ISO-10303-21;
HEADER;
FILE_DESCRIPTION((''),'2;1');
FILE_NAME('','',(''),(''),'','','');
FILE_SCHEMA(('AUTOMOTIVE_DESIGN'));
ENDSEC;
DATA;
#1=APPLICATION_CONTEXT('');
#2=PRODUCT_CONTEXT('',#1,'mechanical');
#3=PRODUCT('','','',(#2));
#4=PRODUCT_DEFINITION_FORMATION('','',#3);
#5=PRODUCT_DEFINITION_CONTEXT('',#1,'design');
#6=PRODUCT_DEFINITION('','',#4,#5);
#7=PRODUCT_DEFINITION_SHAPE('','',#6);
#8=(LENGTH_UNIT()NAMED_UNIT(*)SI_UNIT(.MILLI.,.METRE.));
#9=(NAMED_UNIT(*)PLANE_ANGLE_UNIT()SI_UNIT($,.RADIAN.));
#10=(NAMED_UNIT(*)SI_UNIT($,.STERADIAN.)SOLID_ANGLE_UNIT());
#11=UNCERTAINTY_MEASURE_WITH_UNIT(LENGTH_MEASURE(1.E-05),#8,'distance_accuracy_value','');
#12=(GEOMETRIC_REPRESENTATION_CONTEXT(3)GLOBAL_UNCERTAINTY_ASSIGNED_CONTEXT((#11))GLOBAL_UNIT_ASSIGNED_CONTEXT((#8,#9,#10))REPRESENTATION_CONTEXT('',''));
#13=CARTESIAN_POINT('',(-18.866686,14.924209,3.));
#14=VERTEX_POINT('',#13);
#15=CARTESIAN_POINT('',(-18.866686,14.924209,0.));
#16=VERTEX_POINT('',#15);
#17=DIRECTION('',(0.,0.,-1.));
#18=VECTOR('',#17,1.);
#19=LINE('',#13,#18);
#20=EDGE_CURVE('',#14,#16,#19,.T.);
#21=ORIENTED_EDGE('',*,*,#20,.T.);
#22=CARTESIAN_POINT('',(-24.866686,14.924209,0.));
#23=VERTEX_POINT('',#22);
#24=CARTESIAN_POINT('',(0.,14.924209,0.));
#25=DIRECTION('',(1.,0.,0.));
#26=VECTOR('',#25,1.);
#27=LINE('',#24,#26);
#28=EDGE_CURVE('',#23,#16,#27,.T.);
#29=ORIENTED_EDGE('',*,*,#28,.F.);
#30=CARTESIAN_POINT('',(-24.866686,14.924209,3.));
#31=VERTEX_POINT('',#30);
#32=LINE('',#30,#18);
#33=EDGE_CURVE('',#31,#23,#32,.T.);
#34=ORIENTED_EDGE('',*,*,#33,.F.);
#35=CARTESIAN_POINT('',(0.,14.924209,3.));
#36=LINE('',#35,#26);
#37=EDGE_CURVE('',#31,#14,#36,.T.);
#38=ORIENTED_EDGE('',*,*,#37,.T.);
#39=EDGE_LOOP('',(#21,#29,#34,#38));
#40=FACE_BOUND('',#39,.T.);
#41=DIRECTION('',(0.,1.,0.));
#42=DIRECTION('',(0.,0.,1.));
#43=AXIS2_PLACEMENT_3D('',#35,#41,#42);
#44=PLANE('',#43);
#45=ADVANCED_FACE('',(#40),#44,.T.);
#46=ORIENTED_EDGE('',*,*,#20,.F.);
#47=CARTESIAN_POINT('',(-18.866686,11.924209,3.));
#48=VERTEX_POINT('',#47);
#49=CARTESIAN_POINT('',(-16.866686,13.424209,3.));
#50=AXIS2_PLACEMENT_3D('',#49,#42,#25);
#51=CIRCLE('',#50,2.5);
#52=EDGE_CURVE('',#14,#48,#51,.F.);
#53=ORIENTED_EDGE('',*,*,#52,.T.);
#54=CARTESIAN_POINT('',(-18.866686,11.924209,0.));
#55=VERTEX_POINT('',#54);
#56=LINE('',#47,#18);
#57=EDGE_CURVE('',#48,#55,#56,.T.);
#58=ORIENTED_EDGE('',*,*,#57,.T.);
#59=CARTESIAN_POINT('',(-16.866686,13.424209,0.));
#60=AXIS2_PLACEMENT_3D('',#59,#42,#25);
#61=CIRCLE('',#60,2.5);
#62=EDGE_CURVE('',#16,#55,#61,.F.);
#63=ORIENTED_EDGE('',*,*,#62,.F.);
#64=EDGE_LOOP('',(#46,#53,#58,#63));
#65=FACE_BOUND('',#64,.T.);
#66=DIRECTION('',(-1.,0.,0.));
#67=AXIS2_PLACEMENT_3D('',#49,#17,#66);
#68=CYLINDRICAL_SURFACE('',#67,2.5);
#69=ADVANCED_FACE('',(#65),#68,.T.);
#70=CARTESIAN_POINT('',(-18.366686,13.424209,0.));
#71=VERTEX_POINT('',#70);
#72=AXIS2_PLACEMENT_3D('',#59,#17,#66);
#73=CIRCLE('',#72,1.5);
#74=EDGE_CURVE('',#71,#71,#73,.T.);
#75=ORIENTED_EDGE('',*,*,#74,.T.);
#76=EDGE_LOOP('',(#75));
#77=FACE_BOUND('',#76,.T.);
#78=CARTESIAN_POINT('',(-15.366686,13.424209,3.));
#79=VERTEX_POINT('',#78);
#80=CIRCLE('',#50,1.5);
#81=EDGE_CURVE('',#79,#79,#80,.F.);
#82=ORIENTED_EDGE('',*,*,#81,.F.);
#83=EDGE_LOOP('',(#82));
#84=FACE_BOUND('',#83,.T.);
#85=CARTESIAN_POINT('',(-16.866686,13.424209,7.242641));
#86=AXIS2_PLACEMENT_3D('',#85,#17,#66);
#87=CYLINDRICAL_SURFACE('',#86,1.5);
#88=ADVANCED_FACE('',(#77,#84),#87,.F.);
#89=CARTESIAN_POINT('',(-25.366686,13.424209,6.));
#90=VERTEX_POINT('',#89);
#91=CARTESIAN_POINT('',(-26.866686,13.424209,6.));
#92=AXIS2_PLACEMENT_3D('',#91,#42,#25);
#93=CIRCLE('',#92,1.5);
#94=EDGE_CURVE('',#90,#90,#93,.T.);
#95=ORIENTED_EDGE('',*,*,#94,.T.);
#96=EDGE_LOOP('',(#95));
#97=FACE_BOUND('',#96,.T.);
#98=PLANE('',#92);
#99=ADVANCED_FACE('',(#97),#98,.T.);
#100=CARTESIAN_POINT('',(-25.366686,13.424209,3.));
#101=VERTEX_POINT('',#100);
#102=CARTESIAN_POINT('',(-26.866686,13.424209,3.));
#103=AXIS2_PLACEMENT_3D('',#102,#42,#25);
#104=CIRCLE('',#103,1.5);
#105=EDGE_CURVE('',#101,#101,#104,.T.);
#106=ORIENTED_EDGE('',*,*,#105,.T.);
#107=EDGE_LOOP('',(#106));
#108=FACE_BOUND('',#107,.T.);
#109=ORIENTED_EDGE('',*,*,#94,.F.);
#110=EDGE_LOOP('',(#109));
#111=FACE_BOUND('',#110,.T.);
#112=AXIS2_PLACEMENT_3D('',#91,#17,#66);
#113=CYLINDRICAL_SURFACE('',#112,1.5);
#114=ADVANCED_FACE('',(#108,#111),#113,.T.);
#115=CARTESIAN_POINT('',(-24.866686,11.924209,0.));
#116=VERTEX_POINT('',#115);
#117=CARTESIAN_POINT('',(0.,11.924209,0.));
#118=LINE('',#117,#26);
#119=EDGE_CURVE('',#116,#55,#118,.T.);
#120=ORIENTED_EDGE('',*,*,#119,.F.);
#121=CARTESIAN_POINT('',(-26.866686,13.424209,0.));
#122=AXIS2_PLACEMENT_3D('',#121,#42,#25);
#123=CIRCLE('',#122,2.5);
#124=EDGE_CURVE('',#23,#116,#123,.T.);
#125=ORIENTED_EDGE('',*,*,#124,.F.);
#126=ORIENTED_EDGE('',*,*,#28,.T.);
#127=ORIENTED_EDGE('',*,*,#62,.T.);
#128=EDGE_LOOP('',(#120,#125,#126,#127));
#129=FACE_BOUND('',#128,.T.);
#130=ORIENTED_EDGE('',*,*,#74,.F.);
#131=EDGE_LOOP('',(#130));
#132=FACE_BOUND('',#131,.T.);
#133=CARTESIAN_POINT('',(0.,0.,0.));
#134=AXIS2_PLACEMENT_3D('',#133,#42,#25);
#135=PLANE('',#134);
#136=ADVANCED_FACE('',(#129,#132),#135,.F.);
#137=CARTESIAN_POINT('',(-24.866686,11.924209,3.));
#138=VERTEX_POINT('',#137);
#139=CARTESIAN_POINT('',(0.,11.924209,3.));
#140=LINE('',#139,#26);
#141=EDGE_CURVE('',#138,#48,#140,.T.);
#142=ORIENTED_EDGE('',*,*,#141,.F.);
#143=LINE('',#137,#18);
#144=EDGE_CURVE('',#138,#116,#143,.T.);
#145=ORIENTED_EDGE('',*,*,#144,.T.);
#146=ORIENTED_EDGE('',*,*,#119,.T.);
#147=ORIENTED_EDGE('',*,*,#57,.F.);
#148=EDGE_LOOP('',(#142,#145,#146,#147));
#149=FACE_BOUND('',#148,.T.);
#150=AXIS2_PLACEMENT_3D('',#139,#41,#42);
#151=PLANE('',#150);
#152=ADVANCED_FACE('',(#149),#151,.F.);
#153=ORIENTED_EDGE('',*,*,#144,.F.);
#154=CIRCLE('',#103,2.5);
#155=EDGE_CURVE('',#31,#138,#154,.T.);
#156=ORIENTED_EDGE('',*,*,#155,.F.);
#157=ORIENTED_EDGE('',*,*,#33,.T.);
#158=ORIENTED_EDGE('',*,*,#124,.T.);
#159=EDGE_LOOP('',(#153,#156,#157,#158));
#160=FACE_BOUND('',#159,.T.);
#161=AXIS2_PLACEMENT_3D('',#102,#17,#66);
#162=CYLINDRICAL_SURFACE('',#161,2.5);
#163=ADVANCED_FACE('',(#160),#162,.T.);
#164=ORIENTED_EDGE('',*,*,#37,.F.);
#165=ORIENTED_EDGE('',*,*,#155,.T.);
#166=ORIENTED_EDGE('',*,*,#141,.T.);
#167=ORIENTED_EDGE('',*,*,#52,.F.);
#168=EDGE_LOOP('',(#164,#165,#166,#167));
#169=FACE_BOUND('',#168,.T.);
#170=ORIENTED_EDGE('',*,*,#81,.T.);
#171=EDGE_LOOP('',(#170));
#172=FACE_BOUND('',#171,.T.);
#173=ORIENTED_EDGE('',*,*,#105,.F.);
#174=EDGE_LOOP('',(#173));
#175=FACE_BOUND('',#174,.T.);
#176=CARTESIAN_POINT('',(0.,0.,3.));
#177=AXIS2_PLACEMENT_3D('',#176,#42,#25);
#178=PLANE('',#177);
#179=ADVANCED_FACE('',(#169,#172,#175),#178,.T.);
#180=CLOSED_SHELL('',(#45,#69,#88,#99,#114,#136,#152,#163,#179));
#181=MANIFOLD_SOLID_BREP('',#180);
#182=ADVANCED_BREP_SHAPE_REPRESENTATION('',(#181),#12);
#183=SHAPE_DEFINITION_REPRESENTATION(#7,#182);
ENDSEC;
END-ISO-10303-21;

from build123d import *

# Parameters (mm, degrees)
BOSS_EXTRUDE1_DEPTH = 3
SKETCH3_R           = 1.5
BOSS_EXTRUDE2_DEPTH = 3
SKETCH4_R           = 1.5
CUT_EXTRUDE1_DEPTH  = 3


with BuildPart() as part:
    # Sketch2 → Boss-Extrude1 (new body)
    with BuildSketch(Plane.XY):
        with BuildLine():
            Line((-25.866686, 11.924208702), (-25.866686, 14.924208702))
            Line((-25.866686, 14.924208702), (-24.866686, 14.924208702))
            ThreePointArc((-24.866686, 14.924208702), (-29.366686, 13.424208702), (-24.866686, 11.924208702))
            Line((-24.866686, 11.924208702), (-25.866686, 11.924208702))
        make_face()
        with BuildLine():
            Line((-24.866686, 14.924208702), (-25.866686, 14.924208702))
            Line((-25.866686, 14.924208702), (-25.866686, 11.924208702))
            Line((-25.866686, 11.924208702), (-24.866686, 11.924208702))
            ThreePointArc((-24.866686, 11.924208702), (-24.494977755, 12.633639287), (-24.366686, 13.424208702))
            ThreePointArc((-24.366686, 13.424208702), (-24.494977755, 14.214778117), (-24.866686, 14.924208702))
        make_face()
        with BuildLine():
            Line((-18.866686, 14.924208702), (-24.866686, 14.924208702))
            ThreePointArc((-24.866686, 14.924208702), (-24.494977755, 14.214778117), (-24.366686, 13.424208702))
            ThreePointArc((-24.366686, 13.424208702), (-24.494977755, 12.633639287), (-24.866686, 11.924208702))
            Line((-24.866686, 11.924208702), (-18.866686, 11.924208702))
            ThreePointArc((-18.866686, 11.924208702), (-19.366686, 13.424208702), (-18.866686, 14.924208702))
        make_face()
        with BuildLine():
            ThreePointArc((-14.366686, 13.424208702), (-16.076116585, 15.795916947), (-18.866686, 14.924208702))
            Line((-18.866686, 14.924208702), (-17.866686, 14.924208702))
            Line((-17.866686, 14.924208702), (-17.866686, 11.924208702))
            Line((-17.866686, 11.924208702), (-18.866686, 11.924208702))
            ThreePointArc((-18.866686, 11.924208702), (-16.076116585, 11.052500457), (-14.366686, 13.424208702))
        make_face()
        with BuildLine():
            Line((-17.866686, 14.924208702), (-18.866686, 14.924208702))
            ThreePointArc((-18.866686, 14.924208702), (-19.366686, 13.424208702), (-18.866686, 11.924208702))
            Line((-18.866686, 11.924208702), (-17.866686, 11.924208702))
            Line((-17.866686, 11.924208702), (-17.866686, 14.924208702))
        make_face()
    extrude(amount=BOSS_EXTRUDE1_DEPTH)

    # Sketch3 → Boss-Extrude2 (add)
    with BuildSketch(Plane.XY.offset(3)):
        with Locations((-26.866686, 13.424208702)):
            Circle(SKETCH3_R)
    extrude(amount=BOSS_EXTRUDE2_DEPTH)

    # Sketch4 → Cut-Extrude1 (cut)
    with BuildSketch(Plane(origin=(0, 0, 0), x_dir=(-1, 0, 0), z_dir=(0, 0, -1))):
        with Locations((16.866686, 13.424208702)):
            Circle(SKETCH4_R)
    extrude(amount=-CUT_EXTRUDE1_DEPTH, mode=Mode.SUBTRACT)


solid = part.part
